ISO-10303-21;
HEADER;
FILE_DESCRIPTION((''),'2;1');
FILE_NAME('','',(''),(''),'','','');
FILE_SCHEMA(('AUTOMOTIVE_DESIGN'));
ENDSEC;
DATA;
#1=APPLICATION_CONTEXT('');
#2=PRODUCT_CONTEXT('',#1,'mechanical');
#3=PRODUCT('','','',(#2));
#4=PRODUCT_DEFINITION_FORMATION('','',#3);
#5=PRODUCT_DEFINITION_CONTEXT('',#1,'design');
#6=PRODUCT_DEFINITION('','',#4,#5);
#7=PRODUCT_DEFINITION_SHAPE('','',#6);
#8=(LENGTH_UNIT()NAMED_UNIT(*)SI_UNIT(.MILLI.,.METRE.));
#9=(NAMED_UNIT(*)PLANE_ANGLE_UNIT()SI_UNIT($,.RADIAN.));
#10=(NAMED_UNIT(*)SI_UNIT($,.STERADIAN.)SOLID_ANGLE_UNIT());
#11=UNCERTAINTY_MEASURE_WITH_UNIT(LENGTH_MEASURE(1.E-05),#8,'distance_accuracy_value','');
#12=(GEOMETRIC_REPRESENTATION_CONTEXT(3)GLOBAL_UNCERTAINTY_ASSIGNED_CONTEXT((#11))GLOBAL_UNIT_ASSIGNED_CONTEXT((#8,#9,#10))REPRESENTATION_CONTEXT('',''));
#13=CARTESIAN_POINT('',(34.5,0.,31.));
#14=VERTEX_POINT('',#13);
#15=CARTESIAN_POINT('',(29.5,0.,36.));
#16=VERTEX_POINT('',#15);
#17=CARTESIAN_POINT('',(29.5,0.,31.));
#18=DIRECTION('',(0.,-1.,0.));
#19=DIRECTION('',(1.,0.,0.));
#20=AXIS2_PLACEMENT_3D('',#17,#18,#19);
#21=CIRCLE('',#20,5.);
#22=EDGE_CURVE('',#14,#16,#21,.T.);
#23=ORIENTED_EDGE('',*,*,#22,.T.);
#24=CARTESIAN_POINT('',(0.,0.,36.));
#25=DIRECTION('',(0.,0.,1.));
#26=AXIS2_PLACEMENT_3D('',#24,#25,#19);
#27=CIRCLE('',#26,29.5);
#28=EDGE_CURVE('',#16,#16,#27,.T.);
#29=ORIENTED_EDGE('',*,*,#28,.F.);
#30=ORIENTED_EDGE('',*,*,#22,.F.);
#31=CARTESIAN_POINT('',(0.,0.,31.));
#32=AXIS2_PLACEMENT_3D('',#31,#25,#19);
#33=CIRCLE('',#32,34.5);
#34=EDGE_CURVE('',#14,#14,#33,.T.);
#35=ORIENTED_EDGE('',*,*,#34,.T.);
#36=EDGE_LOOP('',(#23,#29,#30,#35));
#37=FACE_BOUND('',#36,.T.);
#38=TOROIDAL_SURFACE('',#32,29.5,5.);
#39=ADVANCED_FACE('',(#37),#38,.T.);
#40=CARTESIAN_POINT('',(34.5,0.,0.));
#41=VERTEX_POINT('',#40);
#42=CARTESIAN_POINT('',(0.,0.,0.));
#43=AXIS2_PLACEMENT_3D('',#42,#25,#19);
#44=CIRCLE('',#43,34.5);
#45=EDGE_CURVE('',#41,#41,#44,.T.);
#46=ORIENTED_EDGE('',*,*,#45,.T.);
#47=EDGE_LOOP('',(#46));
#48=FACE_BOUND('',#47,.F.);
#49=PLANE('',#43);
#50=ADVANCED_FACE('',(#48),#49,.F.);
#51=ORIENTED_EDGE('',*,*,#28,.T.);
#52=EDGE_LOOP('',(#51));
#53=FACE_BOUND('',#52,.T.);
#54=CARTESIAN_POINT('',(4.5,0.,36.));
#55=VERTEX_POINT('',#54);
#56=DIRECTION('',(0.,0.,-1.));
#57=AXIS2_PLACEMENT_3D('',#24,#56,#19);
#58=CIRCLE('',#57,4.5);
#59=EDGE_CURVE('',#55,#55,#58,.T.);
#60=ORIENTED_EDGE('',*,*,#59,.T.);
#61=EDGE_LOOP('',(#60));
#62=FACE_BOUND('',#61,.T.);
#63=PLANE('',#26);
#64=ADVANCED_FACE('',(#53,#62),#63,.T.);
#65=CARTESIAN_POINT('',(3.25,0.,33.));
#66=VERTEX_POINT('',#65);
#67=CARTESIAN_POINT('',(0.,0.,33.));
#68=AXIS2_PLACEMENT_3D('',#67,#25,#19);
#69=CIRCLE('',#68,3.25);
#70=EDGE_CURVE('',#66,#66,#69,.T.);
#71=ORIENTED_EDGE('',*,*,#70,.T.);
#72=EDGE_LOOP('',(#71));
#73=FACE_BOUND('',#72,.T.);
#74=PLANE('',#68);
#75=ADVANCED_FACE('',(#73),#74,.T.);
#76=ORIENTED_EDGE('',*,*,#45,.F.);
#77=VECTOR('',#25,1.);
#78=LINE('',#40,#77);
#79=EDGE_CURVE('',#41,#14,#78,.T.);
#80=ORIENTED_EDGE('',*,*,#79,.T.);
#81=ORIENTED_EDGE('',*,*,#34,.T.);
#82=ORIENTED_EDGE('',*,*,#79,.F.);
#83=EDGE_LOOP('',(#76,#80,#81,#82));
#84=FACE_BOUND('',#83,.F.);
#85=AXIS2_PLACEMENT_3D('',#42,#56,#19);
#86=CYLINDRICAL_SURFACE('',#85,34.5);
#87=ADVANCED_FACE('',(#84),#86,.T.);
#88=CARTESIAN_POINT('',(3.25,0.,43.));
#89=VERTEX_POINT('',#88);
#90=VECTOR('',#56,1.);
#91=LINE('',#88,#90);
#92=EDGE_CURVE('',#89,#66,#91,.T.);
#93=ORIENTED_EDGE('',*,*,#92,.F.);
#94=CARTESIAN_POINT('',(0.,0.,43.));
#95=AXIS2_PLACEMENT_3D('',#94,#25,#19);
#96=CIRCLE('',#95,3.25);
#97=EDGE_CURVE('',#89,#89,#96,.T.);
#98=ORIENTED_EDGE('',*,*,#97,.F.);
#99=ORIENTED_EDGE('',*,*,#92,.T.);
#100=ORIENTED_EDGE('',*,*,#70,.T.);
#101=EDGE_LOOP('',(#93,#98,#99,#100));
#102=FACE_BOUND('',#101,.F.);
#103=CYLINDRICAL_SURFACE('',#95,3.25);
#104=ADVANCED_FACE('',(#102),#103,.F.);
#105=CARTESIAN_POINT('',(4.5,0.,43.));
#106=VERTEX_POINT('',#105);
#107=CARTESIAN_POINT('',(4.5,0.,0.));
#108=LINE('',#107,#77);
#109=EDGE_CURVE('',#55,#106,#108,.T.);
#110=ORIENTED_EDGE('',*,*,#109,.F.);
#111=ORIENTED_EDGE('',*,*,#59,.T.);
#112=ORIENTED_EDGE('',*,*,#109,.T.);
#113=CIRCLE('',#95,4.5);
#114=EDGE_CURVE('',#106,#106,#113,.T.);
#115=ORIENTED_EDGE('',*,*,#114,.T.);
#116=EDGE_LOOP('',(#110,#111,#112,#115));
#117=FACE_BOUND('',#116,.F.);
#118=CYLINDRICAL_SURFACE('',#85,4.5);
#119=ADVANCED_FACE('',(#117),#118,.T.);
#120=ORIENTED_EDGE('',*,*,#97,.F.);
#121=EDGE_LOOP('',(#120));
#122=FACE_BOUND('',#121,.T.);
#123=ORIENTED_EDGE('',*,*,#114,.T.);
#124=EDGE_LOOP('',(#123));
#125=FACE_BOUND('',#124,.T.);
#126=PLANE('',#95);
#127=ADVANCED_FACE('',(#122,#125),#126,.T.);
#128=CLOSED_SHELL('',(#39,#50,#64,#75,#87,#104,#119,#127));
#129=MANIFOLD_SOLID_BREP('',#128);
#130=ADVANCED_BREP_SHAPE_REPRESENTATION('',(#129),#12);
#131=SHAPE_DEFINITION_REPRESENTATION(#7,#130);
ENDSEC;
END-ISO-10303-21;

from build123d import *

# Parameters (mm, degrees)
F1_R     = 3.25
F3_DEPTH = 10
F0_R     = 34.5
F4_DEPTH = 36
F2_R     = 4.5
F5_DEPTH = 43
F6_R     = 5
F7_R     = 3.25
F8_DEPTH = 10


with BuildPart() as f3:
    # F1 (on Top) → F3 (new body)
    with BuildSketch(Plane.XY):
        Circle(F1_R)
    extrude(amount=F3_DEPTH)

    # F0 (on Top) → F4 (join)
    with BuildSketch(Plane.XY):
        Circle(F0_R)
    extrude(amount=F4_DEPTH)

    # F2 (on Top) → F5 (join)
    with BuildSketch(Plane.XY):
        Circle(F2_R)
    extrude(amount=F5_DEPTH)

    # F6
    f6_edges = [f3.edges().sort_by_distance(p)[0] for p in [
        (-34.5, 0, 36),
    ]]
    fillet(f6_edges, radius=F6_R)

    # F7 (on face) → F8 (cut)
    with BuildSketch(Plane.XY.offset(43)):
        Circle(F7_R)
    extrude(amount=-F8_DEPTH, mode=Mode.SUBTRACT)


solid = f3.part
